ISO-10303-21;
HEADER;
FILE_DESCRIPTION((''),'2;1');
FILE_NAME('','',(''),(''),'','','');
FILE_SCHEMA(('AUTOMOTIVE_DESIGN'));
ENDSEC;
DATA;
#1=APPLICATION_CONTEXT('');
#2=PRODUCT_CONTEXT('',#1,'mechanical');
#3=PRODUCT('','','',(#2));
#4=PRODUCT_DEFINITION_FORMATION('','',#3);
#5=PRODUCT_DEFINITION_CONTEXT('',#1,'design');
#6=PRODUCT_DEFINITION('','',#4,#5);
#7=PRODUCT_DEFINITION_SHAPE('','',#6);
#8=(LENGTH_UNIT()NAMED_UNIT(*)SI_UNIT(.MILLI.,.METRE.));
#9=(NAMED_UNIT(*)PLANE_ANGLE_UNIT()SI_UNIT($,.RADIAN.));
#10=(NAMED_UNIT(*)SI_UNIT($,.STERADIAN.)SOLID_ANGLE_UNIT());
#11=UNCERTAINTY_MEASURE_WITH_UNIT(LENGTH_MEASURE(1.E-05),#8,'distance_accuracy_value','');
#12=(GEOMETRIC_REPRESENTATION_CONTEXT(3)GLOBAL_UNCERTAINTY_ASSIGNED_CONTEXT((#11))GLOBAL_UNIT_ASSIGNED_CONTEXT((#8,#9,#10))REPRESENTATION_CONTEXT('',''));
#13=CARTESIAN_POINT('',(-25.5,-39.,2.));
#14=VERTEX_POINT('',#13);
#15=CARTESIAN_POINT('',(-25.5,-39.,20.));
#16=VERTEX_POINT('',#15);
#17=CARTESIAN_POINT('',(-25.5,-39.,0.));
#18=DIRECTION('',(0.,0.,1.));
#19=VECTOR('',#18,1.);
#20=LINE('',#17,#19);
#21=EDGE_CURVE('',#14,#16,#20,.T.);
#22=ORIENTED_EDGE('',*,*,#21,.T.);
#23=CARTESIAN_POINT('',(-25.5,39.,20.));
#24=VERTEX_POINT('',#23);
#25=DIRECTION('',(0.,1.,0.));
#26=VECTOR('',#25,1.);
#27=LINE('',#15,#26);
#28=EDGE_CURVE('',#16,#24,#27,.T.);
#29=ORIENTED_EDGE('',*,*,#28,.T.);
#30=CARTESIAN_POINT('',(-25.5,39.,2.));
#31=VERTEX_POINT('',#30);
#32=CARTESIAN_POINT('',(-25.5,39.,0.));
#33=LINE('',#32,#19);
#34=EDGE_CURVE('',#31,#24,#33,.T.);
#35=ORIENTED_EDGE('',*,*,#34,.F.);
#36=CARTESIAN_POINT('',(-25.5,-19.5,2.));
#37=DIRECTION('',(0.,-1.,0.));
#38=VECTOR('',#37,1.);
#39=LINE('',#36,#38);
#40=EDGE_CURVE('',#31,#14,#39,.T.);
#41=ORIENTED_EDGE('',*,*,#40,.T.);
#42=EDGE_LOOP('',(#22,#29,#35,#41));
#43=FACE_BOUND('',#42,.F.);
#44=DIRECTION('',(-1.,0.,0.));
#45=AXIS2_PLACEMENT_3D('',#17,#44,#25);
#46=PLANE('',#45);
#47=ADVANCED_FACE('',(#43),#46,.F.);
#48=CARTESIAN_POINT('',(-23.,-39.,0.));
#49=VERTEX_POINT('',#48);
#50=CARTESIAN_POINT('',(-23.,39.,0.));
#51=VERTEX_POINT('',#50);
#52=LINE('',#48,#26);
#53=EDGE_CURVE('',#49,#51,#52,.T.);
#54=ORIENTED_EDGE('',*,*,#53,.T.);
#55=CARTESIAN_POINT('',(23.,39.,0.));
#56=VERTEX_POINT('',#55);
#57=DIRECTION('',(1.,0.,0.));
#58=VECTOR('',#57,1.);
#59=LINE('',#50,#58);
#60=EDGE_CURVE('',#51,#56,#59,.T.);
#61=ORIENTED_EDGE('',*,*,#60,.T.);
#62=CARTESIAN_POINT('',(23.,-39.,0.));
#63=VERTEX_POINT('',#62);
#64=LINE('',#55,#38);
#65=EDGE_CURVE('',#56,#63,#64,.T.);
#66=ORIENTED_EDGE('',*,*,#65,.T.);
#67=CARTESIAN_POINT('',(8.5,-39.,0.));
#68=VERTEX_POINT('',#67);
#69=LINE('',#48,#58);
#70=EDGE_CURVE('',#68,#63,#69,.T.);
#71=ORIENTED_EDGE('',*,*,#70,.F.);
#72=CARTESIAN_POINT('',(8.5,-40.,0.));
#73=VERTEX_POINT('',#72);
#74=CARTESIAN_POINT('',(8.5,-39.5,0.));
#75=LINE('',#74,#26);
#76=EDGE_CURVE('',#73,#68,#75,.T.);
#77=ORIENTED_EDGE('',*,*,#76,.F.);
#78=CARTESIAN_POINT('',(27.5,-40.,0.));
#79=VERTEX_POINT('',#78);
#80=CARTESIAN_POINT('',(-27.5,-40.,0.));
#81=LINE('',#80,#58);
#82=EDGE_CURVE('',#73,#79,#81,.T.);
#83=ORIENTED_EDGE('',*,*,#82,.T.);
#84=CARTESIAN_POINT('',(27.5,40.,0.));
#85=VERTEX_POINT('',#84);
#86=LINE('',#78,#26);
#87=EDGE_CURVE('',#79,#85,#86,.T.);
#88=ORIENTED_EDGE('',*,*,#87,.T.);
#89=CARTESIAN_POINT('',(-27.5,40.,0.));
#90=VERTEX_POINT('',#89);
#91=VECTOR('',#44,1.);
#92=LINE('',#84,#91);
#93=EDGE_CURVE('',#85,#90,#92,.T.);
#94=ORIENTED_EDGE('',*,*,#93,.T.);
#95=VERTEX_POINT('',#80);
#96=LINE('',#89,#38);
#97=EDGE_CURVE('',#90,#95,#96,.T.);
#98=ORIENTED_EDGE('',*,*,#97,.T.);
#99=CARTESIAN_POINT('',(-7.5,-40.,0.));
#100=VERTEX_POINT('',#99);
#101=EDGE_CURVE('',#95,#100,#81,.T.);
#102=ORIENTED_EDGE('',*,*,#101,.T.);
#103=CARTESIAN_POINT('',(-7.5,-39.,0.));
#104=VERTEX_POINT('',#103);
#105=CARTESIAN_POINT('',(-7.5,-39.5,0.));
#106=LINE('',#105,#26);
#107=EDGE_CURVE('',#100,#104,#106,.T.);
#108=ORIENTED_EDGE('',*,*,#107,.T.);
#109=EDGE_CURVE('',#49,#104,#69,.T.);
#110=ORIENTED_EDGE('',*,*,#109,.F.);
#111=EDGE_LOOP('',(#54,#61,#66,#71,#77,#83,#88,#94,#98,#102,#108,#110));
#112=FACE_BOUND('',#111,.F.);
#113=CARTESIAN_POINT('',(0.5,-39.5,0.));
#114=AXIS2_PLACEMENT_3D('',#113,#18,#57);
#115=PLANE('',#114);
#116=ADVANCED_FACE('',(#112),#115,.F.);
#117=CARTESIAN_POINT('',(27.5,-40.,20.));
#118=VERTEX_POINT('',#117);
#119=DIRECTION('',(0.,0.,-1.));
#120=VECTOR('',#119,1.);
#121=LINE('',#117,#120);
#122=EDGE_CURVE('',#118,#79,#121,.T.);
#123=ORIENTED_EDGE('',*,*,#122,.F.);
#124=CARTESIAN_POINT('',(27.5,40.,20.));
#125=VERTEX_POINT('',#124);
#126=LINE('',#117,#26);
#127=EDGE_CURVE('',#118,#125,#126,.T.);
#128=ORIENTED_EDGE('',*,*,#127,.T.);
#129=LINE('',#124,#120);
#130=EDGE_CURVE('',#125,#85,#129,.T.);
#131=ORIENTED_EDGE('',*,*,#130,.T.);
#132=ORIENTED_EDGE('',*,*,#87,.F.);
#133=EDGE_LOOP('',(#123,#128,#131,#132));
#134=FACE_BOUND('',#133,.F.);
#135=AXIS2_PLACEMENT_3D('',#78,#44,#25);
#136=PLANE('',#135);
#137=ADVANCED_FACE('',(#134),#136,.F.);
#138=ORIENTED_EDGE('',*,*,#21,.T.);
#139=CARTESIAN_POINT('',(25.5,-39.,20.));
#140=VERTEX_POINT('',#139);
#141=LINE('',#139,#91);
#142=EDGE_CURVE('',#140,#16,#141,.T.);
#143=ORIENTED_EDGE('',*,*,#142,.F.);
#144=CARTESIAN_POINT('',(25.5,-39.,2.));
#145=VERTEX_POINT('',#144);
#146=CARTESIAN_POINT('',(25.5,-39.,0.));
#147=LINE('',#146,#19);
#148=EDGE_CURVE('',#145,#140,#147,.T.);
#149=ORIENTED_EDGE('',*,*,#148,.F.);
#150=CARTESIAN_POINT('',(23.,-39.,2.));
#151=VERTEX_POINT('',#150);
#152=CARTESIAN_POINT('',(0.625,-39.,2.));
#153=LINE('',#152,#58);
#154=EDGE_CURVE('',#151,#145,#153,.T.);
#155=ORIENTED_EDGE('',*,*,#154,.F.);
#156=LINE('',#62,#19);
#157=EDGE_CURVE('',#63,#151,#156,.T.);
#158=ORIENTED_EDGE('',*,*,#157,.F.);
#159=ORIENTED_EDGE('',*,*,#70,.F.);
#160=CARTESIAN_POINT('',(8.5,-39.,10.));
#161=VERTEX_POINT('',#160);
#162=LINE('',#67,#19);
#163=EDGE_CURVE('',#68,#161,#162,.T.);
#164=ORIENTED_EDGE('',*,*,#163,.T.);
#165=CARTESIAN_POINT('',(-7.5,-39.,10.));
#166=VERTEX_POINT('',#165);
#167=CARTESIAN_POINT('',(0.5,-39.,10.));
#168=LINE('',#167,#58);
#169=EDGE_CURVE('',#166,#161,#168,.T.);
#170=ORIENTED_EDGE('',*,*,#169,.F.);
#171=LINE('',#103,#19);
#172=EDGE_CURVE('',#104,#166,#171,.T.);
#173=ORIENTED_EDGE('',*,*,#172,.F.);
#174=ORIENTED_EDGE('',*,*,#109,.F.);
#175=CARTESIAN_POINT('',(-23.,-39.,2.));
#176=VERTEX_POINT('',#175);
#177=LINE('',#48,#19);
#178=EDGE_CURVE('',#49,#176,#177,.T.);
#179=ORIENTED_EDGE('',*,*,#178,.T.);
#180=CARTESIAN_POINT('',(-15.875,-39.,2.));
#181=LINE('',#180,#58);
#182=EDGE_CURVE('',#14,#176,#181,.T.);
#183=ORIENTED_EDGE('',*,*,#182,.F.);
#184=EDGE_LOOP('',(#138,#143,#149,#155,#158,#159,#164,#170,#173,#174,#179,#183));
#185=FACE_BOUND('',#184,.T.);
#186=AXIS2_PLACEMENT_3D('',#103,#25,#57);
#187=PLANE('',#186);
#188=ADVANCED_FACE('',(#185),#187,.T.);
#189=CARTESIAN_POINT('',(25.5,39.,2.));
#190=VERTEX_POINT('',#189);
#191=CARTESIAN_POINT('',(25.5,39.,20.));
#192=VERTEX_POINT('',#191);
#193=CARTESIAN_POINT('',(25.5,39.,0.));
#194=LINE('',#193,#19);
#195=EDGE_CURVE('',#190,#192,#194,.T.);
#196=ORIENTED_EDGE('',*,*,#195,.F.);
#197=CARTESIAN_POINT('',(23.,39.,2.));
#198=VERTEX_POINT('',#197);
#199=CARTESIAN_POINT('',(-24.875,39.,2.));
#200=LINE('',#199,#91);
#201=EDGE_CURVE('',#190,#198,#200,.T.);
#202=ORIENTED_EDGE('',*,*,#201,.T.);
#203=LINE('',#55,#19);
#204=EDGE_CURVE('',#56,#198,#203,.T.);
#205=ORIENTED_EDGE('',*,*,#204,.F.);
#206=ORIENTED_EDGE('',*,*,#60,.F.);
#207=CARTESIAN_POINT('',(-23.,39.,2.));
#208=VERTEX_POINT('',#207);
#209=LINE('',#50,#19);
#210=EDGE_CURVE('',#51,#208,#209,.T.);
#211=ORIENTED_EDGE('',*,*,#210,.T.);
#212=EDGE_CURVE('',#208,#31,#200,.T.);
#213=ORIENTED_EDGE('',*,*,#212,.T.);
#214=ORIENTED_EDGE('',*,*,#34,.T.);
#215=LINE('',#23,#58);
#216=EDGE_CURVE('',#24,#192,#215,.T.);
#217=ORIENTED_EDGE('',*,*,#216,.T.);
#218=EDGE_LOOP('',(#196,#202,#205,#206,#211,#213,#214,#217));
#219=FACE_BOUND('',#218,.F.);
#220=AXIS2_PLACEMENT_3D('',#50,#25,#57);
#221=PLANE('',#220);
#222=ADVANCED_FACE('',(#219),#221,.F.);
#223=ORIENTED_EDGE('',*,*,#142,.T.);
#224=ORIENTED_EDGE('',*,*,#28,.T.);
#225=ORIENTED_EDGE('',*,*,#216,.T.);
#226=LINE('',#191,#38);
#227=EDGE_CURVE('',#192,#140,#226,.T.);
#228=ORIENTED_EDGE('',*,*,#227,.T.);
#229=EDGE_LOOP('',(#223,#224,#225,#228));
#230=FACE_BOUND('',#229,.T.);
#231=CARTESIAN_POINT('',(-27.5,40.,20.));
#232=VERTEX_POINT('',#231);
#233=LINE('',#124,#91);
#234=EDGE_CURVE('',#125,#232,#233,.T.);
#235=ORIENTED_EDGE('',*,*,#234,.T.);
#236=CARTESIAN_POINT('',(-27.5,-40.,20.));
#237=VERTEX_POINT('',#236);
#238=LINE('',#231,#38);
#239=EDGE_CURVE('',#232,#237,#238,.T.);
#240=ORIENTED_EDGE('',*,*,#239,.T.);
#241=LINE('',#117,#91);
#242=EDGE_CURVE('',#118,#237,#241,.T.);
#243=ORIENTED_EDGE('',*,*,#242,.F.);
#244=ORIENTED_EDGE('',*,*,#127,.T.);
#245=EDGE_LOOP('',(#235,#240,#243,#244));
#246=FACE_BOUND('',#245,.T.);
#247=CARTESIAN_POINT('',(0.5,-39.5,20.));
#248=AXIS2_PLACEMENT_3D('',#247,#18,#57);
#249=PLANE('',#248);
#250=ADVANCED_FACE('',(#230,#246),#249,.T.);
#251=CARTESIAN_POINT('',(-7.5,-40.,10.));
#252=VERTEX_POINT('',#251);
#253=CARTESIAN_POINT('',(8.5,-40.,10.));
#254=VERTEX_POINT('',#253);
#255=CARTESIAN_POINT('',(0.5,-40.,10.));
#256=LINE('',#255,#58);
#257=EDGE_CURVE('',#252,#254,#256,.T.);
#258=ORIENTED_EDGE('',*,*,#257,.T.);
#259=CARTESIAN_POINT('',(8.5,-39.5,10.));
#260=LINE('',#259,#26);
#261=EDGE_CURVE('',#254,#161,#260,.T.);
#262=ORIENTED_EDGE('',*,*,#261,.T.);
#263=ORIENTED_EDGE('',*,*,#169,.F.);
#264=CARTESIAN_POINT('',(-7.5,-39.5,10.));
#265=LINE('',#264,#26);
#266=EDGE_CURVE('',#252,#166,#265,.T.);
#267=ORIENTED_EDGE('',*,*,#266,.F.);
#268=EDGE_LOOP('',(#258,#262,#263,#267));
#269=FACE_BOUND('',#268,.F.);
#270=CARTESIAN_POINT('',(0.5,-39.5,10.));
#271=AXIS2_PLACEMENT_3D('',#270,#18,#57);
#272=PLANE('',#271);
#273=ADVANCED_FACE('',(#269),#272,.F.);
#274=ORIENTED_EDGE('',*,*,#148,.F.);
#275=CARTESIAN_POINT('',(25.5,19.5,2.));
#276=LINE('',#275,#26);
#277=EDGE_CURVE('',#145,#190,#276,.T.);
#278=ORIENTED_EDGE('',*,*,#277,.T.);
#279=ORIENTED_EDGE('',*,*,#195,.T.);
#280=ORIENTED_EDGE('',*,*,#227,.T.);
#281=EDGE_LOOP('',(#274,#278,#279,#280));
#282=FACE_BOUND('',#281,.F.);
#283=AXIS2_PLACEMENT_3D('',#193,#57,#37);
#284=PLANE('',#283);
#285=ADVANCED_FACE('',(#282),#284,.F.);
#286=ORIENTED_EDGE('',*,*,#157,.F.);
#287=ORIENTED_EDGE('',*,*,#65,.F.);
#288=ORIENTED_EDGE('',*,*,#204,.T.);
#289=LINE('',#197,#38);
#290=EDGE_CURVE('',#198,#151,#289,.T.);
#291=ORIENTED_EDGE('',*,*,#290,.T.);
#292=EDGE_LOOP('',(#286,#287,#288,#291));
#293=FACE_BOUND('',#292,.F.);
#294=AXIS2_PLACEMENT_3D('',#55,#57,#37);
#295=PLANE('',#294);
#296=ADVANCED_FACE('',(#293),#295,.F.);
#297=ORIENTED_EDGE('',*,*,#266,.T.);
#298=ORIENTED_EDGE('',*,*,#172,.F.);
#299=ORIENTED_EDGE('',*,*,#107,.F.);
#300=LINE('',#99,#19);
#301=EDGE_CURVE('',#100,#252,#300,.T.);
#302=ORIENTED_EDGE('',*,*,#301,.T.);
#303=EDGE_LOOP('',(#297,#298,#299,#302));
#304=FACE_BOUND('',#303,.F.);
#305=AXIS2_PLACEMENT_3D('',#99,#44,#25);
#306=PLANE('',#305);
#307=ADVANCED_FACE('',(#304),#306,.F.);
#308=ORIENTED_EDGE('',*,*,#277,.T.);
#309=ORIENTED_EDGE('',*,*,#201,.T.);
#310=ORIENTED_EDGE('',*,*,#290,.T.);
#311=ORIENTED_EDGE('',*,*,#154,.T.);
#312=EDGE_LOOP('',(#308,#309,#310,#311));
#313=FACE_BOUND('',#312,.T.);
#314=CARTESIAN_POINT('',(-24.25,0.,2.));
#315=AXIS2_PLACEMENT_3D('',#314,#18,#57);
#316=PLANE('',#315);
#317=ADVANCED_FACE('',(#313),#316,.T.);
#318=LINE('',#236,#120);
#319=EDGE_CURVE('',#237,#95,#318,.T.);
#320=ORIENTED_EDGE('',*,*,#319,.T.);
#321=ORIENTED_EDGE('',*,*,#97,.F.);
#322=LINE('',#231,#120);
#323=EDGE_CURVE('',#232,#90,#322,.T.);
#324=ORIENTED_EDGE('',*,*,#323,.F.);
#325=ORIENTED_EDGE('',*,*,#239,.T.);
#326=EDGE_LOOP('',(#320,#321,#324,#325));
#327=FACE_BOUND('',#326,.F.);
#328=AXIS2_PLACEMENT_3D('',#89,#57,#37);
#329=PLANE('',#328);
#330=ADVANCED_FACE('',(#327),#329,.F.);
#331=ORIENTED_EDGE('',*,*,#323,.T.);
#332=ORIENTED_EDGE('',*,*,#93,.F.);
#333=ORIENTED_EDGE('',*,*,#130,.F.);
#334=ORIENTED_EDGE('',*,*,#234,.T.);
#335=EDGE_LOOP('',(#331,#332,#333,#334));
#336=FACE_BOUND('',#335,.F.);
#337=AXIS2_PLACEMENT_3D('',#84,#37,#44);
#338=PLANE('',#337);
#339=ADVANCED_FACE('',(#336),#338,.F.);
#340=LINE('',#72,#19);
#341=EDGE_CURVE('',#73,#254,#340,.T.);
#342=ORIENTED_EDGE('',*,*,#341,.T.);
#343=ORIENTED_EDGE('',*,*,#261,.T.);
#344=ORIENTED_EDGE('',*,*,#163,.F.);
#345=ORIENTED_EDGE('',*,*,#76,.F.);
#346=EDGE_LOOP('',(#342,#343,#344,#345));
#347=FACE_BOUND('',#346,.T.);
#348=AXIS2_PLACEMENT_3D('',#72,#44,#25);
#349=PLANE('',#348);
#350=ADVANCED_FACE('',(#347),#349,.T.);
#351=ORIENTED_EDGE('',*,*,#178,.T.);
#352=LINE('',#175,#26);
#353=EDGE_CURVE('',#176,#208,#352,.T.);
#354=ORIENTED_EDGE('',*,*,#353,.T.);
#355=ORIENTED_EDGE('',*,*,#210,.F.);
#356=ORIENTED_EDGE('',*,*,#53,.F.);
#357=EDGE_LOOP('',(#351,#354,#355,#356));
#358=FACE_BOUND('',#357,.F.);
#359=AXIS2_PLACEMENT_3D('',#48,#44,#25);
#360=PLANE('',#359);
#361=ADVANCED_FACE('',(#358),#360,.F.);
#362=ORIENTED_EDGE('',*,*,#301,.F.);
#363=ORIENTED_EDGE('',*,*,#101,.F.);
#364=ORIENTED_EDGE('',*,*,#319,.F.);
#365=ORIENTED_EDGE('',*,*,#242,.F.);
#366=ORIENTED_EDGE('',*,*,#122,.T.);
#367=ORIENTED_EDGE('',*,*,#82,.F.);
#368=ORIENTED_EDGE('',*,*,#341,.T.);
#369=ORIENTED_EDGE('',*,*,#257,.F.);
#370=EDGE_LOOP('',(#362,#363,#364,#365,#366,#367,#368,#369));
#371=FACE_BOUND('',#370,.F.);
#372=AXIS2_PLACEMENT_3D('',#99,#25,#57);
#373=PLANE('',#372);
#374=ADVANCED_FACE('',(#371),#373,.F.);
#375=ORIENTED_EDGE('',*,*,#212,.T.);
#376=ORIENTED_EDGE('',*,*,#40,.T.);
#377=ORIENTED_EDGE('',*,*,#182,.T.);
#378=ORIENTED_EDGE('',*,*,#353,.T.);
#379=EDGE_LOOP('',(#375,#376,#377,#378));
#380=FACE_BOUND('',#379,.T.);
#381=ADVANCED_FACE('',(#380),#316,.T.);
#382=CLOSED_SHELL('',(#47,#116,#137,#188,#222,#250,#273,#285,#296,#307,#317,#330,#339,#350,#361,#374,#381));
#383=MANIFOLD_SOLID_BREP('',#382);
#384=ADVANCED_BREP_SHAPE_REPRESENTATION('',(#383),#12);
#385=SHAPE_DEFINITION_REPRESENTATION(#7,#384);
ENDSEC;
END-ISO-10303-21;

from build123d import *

# Parameters (mm, degrees)
F1_DEPTH = 2
F2_DEPTH = 20
F0_W     = 16
F0_H     = 1
F3_DEPTH = 20
F4_DEPTH = 10


with BuildPart() as f1:
    # F0 (on Top) → F1 (new body)
    with BuildSketch(Plane.XY):
        Polygon((-23, -39), (-23, -35), (-23, 35), (-23, 39), (-25.5, 39), (-25.5, -39), align=None)
        Polygon((25.5, -39), (23, -39), (8.5, -39), (8.5, -40), (27.5, -40), (27.5, 40), (-27.5, 40), (-27.5, -40), (-7.5, -40), (-7.5, -39), (-23, -39), (-25.5, -39), (-25.5, 39), (-23, 39), (23, 39), (25.5, 39), align=None)
        Polygon((23, 35), (23, -35), (23, -39), (25.5, -39), (25.5, 39), (23, 39), align=None)
    extrude(amount=F1_DEPTH)

    # F0 (on Top) → F2 (join)
    with BuildSketch(Plane.XY):
        Polygon((25.5, -39), (23, -39), (8.5, -39), (8.5, -40), (27.5, -40), (27.5, 40), (-27.5, 40), (-27.5, -40), (-7.5, -40), (-7.5, -39), (-23, -39), (-25.5, -39), (-25.5, 39), (-23, 39), (23, 39), (25.5, 39), align=None)
    extrude(amount=F2_DEPTH)

    # F0 (on Top) → F3 (join)
    with BuildSketch(Plane.XY):
        with Locations((0.5, -39.5)):
            Rectangle(F0_W, F0_H)
    extrude(amount=F3_DEPTH)

    # F0 (on Top) → F4 (cut)
    with BuildSketch(Plane.XY):
        with Locations((0.5, -39.5)):
            Rectangle(F0_W, F0_H)
    extrude(amount=F4_DEPTH, mode=Mode.SUBTRACT)


solid = f1.part
